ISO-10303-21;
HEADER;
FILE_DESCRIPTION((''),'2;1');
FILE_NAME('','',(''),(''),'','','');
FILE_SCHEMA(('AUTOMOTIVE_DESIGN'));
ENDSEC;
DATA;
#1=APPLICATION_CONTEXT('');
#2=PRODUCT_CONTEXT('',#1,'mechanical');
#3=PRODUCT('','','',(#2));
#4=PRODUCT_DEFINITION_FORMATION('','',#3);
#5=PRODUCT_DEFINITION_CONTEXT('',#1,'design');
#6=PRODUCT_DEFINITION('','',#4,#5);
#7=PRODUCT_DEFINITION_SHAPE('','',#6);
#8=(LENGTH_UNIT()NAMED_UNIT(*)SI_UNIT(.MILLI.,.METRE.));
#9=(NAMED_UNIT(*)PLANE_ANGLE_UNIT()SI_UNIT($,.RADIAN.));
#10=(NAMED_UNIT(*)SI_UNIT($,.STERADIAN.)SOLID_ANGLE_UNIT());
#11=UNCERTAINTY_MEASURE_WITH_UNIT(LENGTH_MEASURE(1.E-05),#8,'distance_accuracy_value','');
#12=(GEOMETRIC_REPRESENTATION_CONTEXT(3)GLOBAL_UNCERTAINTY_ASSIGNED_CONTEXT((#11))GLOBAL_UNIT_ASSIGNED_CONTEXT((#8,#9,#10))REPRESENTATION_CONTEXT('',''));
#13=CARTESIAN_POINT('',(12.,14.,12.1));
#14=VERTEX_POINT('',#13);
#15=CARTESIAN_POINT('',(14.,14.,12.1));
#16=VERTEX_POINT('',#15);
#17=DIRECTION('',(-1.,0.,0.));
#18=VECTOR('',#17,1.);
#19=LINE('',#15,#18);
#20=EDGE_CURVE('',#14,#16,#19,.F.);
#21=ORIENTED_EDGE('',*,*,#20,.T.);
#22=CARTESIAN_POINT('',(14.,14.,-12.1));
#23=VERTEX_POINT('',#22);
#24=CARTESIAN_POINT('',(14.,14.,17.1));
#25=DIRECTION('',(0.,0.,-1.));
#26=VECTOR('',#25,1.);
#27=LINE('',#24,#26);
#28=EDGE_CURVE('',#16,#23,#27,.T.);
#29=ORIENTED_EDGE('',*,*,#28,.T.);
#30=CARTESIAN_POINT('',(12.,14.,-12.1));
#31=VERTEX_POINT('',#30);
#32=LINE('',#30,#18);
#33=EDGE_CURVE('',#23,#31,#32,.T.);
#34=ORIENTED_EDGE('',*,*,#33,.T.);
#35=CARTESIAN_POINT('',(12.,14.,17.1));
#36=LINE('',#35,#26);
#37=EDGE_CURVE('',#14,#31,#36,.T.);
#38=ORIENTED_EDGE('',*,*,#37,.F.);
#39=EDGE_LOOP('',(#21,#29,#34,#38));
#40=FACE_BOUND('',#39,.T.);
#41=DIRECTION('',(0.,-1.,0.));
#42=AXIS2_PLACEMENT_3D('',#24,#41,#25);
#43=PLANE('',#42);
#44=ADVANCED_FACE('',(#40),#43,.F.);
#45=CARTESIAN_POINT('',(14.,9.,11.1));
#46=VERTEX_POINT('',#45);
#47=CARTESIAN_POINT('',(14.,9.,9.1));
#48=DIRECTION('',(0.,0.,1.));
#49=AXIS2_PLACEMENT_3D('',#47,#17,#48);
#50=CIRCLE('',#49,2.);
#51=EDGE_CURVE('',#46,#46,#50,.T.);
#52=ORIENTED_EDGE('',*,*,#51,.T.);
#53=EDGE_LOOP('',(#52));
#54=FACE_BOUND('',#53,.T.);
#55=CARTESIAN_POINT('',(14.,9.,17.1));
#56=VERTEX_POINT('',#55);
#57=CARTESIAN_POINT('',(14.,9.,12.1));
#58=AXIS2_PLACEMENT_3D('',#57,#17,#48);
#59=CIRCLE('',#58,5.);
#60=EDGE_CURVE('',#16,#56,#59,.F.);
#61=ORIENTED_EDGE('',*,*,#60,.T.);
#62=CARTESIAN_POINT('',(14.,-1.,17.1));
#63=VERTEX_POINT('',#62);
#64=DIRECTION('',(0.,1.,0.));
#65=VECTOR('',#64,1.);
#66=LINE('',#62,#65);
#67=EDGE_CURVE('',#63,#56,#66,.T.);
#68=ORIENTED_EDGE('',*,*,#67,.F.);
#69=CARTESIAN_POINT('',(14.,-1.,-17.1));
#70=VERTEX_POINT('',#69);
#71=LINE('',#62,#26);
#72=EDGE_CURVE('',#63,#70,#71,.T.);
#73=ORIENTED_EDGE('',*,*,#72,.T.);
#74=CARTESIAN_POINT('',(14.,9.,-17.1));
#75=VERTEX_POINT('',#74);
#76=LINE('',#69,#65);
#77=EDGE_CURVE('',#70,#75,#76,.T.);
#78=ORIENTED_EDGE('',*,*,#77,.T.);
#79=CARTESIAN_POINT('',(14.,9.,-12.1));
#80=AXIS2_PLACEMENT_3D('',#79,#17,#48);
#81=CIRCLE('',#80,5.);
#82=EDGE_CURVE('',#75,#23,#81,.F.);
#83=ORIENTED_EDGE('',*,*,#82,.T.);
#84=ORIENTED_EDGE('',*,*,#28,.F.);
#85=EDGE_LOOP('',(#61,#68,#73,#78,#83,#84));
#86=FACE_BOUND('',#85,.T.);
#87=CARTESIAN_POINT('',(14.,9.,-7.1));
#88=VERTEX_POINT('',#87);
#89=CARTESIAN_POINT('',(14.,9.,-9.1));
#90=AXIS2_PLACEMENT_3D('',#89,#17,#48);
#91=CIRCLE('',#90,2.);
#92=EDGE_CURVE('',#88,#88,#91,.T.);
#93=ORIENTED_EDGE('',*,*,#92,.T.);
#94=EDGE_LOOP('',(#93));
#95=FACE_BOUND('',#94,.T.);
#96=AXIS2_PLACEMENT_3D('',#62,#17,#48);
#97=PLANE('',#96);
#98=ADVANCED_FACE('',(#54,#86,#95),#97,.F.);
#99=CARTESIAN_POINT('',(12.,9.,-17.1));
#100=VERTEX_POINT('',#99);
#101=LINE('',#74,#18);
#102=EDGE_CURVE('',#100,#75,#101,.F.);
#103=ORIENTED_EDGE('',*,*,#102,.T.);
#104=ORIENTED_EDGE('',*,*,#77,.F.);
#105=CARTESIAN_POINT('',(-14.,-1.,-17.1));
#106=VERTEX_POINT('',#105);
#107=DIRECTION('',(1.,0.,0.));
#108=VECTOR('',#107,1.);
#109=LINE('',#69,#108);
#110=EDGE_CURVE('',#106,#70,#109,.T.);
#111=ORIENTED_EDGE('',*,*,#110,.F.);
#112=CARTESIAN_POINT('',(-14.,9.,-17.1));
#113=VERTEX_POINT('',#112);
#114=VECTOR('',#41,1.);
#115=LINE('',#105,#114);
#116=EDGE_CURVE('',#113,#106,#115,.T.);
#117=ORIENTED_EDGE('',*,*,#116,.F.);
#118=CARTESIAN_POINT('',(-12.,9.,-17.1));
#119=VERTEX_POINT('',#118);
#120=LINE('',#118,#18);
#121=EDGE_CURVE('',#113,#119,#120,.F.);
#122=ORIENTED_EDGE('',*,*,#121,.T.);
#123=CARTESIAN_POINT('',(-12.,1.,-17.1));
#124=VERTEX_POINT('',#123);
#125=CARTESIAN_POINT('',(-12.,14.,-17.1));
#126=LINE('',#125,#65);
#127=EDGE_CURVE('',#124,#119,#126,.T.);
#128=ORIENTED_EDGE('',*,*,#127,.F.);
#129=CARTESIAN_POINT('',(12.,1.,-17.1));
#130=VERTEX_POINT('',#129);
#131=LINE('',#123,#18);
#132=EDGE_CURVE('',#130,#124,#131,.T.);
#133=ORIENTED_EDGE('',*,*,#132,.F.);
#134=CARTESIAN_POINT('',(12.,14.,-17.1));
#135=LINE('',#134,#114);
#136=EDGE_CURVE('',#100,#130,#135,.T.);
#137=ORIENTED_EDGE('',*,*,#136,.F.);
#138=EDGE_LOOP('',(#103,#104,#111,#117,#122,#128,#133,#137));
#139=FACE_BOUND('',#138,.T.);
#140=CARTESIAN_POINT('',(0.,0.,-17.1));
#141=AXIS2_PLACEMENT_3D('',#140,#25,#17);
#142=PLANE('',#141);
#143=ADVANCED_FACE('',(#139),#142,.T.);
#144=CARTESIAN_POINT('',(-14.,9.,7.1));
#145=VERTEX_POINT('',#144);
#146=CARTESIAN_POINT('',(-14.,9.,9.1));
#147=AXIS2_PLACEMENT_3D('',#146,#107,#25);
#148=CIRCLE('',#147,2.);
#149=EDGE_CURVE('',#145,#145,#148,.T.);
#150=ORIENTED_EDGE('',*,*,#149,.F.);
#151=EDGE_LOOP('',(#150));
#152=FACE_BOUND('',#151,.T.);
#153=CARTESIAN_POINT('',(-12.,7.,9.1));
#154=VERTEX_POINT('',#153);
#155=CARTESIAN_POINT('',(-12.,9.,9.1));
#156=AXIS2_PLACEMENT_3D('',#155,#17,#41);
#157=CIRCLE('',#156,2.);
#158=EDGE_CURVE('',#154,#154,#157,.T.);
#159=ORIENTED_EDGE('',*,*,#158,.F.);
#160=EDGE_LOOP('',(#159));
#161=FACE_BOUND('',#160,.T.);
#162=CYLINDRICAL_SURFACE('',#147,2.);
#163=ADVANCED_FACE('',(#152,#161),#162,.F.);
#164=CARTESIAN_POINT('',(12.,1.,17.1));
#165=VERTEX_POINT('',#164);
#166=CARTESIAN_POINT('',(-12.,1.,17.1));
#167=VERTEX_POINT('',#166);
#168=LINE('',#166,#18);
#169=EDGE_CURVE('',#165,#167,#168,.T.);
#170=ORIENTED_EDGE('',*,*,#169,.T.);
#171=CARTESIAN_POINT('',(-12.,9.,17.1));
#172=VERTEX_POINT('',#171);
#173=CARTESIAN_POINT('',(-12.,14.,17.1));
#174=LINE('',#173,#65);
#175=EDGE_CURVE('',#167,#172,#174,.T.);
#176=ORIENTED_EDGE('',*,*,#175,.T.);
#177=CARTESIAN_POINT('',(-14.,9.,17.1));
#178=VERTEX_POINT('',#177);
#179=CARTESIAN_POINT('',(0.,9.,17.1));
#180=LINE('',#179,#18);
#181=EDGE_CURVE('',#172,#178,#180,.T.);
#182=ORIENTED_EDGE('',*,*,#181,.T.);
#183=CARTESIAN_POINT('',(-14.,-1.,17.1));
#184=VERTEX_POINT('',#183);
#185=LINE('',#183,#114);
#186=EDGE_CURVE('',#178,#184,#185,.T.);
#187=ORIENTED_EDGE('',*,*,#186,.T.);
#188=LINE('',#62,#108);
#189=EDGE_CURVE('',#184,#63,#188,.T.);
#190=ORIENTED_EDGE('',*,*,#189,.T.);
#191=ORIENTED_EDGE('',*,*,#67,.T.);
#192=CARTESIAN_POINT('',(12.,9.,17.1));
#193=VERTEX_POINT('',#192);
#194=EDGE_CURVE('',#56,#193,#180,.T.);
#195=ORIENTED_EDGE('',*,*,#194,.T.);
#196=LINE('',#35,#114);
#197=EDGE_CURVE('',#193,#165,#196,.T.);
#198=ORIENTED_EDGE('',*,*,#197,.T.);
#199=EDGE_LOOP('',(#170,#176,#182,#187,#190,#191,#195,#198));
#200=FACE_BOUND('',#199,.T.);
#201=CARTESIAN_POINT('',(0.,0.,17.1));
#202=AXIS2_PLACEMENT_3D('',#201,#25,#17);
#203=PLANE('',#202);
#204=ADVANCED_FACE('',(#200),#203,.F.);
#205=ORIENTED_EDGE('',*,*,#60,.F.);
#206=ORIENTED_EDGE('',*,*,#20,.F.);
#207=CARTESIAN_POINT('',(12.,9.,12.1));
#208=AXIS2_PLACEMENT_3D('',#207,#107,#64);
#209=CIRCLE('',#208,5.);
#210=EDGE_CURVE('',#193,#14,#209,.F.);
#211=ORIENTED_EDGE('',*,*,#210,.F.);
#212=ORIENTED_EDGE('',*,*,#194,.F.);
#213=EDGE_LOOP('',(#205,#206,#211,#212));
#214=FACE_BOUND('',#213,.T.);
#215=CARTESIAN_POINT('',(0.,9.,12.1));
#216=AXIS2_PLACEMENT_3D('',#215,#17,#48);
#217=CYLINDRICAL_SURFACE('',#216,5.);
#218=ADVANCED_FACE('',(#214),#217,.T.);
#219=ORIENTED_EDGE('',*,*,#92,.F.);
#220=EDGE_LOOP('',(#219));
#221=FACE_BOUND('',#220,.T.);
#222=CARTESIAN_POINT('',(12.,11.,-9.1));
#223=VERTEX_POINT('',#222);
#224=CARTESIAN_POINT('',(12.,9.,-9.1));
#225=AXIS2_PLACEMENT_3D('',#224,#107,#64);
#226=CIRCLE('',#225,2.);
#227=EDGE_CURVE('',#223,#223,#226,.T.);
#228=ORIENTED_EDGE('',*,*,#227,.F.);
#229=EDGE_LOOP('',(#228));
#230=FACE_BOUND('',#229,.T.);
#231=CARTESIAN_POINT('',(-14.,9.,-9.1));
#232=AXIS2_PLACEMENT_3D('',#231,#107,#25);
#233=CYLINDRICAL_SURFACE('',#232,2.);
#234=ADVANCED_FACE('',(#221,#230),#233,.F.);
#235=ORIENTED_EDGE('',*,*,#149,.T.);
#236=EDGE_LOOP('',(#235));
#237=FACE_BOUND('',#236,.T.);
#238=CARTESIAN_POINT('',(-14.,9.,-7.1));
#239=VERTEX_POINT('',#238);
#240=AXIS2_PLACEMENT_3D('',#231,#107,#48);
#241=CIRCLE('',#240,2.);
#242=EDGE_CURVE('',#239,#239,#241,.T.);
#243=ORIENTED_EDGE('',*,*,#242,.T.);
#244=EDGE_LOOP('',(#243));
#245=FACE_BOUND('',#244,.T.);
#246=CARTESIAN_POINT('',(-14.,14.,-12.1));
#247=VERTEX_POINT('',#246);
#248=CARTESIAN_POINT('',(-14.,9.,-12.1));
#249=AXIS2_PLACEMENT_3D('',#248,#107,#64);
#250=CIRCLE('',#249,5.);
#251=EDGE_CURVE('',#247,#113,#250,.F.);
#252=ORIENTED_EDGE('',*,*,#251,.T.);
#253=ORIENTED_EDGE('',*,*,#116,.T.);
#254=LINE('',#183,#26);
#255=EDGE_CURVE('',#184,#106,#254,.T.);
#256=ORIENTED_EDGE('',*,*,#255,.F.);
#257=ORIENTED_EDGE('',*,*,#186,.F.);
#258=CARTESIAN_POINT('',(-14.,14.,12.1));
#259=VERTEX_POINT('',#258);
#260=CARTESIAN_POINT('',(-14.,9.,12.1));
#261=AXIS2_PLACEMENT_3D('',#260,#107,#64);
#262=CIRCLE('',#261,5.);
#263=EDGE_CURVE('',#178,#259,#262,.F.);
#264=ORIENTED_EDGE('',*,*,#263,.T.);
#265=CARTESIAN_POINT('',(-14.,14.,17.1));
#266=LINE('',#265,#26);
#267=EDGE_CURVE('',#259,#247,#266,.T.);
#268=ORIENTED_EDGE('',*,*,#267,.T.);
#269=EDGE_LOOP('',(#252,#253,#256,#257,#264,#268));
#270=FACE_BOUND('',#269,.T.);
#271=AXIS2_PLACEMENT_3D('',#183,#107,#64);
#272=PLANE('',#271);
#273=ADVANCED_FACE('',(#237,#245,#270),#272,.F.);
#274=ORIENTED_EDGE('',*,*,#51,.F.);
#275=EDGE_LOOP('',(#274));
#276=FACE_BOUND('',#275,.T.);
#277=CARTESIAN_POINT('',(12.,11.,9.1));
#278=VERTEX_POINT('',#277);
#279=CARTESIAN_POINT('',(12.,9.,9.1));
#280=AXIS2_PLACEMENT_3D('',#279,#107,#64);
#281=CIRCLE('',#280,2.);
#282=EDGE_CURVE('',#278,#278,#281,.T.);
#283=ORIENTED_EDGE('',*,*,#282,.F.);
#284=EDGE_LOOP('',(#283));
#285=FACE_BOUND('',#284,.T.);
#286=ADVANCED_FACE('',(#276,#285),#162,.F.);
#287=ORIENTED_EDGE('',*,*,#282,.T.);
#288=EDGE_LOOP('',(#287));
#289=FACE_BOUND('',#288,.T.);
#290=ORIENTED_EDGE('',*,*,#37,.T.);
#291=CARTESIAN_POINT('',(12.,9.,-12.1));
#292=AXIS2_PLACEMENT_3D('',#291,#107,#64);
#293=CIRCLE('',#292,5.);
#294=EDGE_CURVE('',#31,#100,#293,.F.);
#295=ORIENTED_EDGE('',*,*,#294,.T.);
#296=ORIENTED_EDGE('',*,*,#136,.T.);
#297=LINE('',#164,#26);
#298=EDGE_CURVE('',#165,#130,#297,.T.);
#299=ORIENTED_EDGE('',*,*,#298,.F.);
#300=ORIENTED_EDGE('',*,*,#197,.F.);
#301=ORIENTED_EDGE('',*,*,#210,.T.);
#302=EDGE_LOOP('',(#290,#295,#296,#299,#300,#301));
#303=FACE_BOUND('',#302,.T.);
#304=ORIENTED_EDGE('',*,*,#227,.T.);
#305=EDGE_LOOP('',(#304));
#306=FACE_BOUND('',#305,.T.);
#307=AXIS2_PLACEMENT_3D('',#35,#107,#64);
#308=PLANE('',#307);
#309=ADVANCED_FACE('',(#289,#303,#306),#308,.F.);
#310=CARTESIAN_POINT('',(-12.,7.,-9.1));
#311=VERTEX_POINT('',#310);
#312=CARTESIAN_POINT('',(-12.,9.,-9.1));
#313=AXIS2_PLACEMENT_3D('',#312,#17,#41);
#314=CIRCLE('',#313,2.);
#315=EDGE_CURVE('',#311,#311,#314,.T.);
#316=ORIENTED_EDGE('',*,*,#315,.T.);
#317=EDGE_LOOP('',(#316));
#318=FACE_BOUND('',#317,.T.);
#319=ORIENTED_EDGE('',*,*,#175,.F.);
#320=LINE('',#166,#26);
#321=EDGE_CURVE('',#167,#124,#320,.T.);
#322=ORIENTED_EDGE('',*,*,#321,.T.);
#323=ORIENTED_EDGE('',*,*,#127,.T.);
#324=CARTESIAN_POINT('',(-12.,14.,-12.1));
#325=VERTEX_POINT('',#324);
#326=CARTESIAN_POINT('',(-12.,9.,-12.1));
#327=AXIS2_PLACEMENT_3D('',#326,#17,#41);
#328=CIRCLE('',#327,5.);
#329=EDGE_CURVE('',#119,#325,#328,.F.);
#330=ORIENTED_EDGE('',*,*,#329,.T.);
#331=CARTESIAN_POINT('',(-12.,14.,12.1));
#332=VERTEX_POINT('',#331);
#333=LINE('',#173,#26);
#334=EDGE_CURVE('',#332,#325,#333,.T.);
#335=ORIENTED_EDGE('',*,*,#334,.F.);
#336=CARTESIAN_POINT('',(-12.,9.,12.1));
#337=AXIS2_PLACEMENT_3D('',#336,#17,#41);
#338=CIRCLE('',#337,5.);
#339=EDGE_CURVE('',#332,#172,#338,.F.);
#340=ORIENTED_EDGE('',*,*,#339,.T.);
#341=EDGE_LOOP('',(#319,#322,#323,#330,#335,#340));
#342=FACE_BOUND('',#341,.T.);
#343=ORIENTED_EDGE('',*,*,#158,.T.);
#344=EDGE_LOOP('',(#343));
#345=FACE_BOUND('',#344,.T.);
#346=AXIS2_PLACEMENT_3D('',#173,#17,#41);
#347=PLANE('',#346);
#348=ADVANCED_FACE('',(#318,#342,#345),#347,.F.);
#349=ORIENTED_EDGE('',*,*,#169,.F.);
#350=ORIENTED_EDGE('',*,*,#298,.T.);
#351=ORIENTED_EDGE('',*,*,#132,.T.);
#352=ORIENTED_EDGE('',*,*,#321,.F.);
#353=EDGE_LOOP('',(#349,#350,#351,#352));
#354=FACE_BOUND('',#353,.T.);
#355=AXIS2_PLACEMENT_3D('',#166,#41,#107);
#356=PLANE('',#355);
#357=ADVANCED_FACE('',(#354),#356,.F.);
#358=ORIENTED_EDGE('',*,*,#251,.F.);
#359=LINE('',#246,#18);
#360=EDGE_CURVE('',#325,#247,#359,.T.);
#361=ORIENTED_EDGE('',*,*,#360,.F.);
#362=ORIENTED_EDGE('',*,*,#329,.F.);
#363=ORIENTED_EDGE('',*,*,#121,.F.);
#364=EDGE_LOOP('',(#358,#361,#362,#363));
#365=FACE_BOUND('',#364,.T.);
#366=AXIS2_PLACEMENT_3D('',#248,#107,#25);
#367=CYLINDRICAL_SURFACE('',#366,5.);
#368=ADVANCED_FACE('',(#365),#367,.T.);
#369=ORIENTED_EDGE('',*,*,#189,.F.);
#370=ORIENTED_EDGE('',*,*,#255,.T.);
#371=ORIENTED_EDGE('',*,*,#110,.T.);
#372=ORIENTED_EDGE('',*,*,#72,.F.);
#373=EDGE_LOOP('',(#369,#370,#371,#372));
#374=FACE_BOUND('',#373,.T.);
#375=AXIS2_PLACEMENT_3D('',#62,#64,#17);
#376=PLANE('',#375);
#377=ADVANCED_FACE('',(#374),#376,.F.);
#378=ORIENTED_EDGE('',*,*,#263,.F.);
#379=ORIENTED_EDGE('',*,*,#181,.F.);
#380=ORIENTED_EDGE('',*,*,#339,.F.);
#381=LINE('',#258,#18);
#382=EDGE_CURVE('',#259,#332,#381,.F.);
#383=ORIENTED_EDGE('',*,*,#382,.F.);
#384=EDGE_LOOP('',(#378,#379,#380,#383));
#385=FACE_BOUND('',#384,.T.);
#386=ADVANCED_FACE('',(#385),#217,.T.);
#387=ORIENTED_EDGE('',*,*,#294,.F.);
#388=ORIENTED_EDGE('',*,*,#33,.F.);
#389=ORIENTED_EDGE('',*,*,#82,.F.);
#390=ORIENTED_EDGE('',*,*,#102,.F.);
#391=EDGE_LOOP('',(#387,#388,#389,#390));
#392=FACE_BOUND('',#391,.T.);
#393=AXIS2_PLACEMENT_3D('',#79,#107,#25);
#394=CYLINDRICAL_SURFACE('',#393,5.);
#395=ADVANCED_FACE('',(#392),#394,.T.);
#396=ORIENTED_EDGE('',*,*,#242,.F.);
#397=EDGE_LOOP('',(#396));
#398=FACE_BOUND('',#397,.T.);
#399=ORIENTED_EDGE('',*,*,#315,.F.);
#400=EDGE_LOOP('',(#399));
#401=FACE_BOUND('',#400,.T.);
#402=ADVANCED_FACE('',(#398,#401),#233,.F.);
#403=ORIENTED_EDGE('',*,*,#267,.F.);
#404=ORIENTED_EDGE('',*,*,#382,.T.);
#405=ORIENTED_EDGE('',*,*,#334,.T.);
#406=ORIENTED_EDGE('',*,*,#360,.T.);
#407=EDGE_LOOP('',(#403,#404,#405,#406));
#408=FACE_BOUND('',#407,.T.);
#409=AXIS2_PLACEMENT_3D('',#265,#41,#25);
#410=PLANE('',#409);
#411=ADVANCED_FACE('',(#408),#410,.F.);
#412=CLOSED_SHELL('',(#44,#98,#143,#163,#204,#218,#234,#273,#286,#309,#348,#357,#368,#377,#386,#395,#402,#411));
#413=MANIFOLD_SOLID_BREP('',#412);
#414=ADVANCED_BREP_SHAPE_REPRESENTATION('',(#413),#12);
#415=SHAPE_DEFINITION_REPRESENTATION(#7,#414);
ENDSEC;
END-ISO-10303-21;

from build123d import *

# Parameters (mm, degrees)
BOSS_EXTRUDE1_DEPTH     = 17.1
SKETCH2_R               = 2
CUT_EXTRUDE1_DEPTH      = 1
CUT_EXTRUDE1_DEPTH_BACK = 29
FILLET1_R               = 5


with BuildPart() as part:
    # Sketch1 → Boss-Extrude1 (new body, symmetric)
    with BuildSketch(Plane.XY):
        Polygon((-14, 14), (-12, 14), (-12, 1), (12, 1), (12, 14), (14, 14), (14, -1), (-14, -1), align=None)
    extrude(amount=BOSS_EXTRUDE1_DEPTH, both=True)

    # Sketch2 → Cut-Extrude1 (cut, two sides)
    with BuildSketch(Plane(origin=(14, 0, 0), x_dir=(0, 0, -1), z_dir=(1, 0, 0))) as cut_extrude1_sk:
        with Locations((-9.1, 9)):
            Circle(SKETCH2_R)
        with Locations((9.1, 9)):
            Circle(SKETCH2_R)
    extrude(amount=CUT_EXTRUDE1_DEPTH, mode=Mode.SUBTRACT)
    extrude(cut_extrude1_sk.sketch, amount=-CUT_EXTRUDE1_DEPTH_BACK, mode=Mode.SUBTRACT)

    # Fillet1
    fillet1_edges = [part.edges().sort_by_distance(p)[0] for p in [
        (13, 14, -17.1),
        (13, 14, 17.1),
        (-13, 14, 17.1),
        (-13, 14, -17.1),
    ]]
    fillet(fillet1_edges, radius=FILLET1_R)


solid = part.part
